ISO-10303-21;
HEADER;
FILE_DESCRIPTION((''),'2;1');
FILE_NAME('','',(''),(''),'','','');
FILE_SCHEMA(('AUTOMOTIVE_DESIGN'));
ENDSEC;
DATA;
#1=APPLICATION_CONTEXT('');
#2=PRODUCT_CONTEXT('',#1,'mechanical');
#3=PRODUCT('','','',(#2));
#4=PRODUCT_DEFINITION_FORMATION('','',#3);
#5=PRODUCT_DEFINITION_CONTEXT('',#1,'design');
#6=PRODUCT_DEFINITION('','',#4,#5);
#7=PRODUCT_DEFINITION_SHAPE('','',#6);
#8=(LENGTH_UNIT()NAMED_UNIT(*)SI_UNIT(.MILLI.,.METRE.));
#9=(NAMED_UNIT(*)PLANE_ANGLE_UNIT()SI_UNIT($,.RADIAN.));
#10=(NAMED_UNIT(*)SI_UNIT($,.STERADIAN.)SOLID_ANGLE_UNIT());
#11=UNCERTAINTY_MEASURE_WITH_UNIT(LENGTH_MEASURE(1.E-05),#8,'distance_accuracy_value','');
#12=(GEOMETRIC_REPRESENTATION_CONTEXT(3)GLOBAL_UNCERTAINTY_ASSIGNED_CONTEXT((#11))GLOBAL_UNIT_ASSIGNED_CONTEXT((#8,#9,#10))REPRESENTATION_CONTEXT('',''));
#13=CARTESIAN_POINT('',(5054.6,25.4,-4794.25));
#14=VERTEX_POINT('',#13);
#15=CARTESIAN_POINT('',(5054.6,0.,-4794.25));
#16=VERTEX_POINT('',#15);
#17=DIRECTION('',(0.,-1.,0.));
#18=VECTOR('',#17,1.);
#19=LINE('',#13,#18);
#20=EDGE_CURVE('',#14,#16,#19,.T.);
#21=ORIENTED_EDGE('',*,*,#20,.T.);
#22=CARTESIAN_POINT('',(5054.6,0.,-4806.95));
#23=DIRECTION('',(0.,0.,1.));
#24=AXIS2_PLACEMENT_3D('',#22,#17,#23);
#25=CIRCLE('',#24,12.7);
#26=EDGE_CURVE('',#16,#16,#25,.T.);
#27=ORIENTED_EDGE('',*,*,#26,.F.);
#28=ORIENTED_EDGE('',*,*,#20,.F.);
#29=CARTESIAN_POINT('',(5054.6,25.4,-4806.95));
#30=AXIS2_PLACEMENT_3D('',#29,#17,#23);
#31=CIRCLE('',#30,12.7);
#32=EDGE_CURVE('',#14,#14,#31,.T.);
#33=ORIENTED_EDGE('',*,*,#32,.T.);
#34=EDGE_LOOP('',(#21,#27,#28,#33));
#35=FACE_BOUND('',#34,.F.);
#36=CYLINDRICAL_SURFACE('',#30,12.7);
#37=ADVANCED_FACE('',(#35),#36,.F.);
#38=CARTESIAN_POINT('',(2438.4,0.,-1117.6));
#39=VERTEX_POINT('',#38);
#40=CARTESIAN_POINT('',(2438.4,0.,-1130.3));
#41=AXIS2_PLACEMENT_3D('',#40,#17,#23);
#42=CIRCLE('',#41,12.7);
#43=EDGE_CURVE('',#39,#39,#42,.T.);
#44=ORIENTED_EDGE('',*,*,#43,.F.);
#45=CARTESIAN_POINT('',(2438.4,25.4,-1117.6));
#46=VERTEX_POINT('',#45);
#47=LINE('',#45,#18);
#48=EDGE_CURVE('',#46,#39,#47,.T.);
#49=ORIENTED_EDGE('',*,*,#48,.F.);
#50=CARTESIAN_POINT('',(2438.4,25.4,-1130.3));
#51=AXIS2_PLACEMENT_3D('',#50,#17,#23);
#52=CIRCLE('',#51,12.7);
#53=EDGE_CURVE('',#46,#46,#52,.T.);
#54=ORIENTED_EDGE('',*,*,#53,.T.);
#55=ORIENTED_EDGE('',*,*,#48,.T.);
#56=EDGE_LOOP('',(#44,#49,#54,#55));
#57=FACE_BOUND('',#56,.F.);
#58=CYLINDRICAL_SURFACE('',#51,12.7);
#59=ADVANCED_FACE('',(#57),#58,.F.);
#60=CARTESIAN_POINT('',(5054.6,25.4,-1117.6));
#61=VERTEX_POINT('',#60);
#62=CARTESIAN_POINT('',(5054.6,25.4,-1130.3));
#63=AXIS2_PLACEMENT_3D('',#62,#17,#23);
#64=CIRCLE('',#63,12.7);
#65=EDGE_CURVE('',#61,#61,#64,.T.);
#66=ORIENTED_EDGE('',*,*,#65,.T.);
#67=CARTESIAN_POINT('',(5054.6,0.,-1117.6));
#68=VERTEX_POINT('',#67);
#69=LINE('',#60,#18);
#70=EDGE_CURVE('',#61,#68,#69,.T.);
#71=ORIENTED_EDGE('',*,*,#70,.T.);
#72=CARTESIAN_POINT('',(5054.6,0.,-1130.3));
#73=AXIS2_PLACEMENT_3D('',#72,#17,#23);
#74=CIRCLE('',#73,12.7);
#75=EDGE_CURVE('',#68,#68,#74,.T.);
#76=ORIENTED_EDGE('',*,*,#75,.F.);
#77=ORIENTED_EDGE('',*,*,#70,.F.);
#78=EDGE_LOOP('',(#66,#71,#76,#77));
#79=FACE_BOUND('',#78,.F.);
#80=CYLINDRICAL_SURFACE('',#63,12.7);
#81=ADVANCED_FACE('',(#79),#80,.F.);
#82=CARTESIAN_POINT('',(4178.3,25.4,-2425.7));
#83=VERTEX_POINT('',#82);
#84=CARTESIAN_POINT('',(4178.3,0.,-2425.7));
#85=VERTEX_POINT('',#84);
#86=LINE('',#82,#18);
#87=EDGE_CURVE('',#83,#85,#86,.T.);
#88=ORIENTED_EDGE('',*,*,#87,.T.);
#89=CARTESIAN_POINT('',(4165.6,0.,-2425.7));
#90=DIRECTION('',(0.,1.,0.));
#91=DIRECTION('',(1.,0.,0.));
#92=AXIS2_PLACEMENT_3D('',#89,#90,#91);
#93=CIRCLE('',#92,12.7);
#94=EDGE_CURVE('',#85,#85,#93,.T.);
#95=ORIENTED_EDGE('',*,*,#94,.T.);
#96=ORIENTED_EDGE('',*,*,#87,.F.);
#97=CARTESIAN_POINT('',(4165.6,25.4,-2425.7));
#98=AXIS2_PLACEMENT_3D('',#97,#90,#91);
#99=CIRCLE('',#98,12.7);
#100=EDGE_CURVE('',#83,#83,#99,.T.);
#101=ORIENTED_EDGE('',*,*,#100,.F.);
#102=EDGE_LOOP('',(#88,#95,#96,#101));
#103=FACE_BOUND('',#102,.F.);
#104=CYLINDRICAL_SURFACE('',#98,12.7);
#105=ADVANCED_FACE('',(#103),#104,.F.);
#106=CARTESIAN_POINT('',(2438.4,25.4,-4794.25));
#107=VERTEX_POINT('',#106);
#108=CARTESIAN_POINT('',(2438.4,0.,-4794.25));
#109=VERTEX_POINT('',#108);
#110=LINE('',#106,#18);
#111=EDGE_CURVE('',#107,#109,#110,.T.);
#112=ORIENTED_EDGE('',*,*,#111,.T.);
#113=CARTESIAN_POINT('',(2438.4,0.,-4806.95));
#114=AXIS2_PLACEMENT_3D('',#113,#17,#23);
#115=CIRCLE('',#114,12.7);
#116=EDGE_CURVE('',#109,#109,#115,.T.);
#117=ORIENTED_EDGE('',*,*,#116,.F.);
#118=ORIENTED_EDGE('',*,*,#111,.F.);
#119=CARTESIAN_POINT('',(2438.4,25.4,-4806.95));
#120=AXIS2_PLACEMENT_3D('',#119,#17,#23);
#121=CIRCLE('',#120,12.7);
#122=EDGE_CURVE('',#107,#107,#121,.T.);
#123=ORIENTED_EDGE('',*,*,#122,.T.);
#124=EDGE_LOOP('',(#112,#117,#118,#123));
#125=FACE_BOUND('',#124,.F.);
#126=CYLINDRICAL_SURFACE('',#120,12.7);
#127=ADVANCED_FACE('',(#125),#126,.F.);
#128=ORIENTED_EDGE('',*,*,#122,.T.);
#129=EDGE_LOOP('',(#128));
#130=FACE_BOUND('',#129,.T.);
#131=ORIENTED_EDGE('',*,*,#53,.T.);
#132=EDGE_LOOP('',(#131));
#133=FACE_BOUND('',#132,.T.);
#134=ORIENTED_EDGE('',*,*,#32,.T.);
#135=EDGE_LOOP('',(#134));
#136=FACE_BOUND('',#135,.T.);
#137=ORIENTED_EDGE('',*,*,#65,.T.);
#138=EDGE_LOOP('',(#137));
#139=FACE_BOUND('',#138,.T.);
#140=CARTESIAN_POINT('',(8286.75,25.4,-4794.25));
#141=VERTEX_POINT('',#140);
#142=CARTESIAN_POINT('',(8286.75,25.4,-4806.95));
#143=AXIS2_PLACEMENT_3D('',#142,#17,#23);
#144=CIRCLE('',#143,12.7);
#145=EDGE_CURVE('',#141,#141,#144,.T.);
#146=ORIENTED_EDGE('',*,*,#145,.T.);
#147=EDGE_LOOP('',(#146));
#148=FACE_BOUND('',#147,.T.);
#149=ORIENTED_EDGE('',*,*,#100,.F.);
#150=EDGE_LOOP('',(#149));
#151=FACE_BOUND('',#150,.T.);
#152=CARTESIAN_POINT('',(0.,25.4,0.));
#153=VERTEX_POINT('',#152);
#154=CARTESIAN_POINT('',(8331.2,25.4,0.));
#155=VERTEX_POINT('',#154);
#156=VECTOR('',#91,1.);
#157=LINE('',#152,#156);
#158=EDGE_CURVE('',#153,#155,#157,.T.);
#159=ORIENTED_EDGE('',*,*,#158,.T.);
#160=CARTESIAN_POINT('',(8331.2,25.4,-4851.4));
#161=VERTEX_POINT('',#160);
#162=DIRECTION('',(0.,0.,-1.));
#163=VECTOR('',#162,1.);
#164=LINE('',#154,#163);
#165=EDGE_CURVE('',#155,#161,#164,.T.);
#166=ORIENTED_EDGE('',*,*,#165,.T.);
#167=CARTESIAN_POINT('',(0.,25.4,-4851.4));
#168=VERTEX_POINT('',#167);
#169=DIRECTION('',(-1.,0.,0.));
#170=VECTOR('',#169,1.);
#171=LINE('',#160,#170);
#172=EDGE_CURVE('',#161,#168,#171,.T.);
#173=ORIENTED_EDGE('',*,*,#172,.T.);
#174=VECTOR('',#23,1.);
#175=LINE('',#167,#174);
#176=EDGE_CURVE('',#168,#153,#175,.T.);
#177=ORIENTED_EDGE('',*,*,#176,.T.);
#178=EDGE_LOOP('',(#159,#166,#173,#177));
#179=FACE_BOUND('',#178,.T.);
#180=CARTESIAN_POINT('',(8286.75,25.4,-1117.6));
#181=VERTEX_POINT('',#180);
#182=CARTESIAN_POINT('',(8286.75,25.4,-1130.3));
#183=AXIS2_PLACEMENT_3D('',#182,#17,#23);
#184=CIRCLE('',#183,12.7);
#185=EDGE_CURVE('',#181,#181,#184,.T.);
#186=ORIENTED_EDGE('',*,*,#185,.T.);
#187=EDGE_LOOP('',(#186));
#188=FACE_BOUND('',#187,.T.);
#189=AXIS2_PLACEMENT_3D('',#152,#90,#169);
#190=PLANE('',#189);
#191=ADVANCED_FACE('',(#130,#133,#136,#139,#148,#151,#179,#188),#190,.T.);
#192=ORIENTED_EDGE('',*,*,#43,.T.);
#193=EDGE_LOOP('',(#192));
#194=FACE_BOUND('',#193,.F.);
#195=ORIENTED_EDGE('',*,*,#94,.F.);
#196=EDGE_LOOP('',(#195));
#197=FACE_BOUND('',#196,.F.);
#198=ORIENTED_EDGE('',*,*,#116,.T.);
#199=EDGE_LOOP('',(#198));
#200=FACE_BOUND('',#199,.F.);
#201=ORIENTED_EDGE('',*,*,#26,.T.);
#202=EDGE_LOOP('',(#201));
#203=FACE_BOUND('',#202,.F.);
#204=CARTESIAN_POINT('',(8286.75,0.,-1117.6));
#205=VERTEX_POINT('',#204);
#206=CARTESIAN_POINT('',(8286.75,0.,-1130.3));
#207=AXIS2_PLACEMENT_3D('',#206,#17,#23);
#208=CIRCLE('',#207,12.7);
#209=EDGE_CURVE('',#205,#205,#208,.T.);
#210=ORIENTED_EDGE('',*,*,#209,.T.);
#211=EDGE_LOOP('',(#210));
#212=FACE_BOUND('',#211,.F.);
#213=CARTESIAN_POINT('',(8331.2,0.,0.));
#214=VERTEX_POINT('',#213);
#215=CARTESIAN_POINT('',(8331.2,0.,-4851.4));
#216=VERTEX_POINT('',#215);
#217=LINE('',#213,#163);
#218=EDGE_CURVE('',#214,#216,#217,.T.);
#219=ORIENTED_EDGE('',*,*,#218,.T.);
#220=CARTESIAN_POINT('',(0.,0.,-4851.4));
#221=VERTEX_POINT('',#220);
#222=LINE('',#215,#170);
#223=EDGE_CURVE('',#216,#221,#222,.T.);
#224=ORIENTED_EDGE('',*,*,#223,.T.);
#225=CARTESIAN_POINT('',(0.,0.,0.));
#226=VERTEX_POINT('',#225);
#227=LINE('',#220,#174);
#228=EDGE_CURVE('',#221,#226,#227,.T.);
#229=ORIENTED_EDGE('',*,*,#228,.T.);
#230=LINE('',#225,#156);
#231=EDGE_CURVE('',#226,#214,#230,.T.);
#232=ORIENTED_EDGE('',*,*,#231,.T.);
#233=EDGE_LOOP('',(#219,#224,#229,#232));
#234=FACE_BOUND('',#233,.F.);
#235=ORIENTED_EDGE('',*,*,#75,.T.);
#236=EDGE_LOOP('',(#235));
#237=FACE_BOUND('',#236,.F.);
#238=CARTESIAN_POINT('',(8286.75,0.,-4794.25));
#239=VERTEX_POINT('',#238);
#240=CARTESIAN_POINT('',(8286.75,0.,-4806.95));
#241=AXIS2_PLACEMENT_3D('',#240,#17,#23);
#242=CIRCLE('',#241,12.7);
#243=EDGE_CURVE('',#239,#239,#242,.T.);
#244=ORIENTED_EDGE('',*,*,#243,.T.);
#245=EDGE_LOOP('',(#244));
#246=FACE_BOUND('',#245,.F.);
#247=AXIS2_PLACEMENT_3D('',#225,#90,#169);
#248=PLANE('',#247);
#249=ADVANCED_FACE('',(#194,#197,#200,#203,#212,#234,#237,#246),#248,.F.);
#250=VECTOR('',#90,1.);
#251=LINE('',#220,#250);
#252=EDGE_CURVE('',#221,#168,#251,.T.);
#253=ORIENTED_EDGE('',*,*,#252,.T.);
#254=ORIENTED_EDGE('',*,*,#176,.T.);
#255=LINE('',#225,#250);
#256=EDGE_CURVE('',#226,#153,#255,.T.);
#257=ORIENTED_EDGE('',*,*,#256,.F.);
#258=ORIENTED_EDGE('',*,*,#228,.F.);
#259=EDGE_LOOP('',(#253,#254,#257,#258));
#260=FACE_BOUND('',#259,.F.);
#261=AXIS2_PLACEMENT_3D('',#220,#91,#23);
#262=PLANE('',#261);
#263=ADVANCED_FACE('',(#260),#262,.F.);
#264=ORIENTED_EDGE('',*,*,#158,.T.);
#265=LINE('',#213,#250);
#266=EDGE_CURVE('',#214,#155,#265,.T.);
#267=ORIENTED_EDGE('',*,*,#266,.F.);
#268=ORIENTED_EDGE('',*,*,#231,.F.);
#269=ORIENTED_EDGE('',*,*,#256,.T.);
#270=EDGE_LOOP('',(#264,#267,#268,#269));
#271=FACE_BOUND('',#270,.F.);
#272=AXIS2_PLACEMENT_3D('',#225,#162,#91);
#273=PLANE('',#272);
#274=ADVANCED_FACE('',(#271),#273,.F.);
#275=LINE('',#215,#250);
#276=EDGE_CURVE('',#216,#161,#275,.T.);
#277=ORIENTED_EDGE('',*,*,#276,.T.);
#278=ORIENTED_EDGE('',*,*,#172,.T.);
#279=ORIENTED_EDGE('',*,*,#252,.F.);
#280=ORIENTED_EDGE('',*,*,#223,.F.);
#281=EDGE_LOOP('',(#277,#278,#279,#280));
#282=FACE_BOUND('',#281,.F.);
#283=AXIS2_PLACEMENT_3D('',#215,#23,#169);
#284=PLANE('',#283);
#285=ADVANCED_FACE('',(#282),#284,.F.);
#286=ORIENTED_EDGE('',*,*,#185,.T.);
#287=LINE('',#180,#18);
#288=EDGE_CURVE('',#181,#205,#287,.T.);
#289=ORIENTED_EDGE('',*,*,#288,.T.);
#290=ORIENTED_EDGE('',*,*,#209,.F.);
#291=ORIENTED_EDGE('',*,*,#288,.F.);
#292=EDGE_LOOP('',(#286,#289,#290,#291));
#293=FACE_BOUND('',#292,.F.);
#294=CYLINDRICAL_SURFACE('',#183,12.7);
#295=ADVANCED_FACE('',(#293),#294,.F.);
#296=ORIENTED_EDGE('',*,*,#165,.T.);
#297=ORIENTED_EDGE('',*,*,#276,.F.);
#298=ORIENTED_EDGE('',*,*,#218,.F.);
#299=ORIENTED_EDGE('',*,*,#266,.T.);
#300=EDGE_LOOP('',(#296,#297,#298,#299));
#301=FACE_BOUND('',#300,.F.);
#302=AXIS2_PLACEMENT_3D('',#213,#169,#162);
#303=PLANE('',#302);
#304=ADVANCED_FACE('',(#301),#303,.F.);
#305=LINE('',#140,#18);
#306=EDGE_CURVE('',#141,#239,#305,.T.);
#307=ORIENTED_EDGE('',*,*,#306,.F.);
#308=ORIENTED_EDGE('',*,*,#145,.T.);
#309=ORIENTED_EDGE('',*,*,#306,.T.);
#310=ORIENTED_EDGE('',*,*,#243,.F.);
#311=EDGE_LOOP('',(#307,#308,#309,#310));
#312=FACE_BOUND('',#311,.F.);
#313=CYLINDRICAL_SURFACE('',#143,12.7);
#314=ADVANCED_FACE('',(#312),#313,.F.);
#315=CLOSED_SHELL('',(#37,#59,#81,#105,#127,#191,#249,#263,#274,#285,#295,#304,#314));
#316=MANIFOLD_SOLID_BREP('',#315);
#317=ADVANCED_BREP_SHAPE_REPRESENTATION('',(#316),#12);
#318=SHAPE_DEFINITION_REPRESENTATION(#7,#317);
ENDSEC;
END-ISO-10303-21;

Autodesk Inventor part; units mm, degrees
ref_plane "YZ Plane" through (0, 0, 0) normal (1, 0, 0) x (0, 1, 0)
ref_plane "XZ Plane" through (0, 0, 0) normal (0, 1, 0) x (-1, 0, 0)
ref_plane "XY Plane" through (0, 0, 0) normal (0, 0, 1) x (1, 0, 0)
sketch "Sketch1" plane through (0, 0, 0) normal (0, 1, 0) x (-1, 0, 0)
  line L0 (0, 0) -> (-8331.2, 0)
  line L1 (-8331.2, 0) -> (-8331.2, -4851.4)
  line L2 (-8331.2, -4851.4) -> (0, -4851.4)
  line L3 (0, -4851.4) -> (0, 0)
  dimension "d0" = 8331.2
  dimension "d1" = 4851.4
extrude "Extrusion1" add sketch "Sketch1" along normal blind 25.4
sketch "Sketch2" plane through (0, 25.4, 0) normal (0, 1, 0) x (1, 0, 0)
  line L0 (8331.2, 0) -> (8331.2, 4851.4) projected
  line L1 (8331.2, 4851.4) -> (0, 4851.4) projected
  circle A0 centre (8286.75, 4806.95) radius 12.7
  circle A1 centre (5054.6, 4806.95) radius 12.7
  circle A2 centre (2438.4, 4806.95) radius 12.7
  circle A3 centre (-184.15, 4806.95) radius 12.7
  circle A4 centre (8286.75, 1130.3) radius 12.7
  circle A5 centre (5054.6, 1130.3) radius 12.7
  circle A6 centre (2438.4, 1130.3) radius 12.7
  circle A7 centre (-184.15, 1130.3) radius 12.7
  dimension "d4" = 25.4
  dimension "d5" = 44.45
  dimension "d6" = 44.45
  dimension "d7" = 25.4
  dimension "d8" = 3232.15
  dimension "d9" = 25.4
  dimension "d10" = 2616.2
  dimension "d11" = 25.4
  dimension "d12" = 2622.55
  dimension "d15" = 3676.65
hole "Hole1" at (8286.75, 25.4, -1130.3) at (8286.75, 25.4, -4806.95) at (5054.6, 25.4, -1130.3) at (5054.6, 25.4, -4806.95) at (2438.4, 25.4, -4806.95) at (2438.4, 25.4, -1130.3) direction (0, -1, 0) diameter 25.4 depth 25.4 tip angle 118
sketch "Sketch3" plane through (0, 25.4, 0) normal (0, 1, 0) x (1, 0, 0)
  circle A0 centre (4165.6, 2425.7) radius 12.7
  dimension "d27" = 25.4
extrude "Extrusion2" cut sketch "Sketch3" against normal blind 1092.2
properties part number "porch" material "Concrete"
